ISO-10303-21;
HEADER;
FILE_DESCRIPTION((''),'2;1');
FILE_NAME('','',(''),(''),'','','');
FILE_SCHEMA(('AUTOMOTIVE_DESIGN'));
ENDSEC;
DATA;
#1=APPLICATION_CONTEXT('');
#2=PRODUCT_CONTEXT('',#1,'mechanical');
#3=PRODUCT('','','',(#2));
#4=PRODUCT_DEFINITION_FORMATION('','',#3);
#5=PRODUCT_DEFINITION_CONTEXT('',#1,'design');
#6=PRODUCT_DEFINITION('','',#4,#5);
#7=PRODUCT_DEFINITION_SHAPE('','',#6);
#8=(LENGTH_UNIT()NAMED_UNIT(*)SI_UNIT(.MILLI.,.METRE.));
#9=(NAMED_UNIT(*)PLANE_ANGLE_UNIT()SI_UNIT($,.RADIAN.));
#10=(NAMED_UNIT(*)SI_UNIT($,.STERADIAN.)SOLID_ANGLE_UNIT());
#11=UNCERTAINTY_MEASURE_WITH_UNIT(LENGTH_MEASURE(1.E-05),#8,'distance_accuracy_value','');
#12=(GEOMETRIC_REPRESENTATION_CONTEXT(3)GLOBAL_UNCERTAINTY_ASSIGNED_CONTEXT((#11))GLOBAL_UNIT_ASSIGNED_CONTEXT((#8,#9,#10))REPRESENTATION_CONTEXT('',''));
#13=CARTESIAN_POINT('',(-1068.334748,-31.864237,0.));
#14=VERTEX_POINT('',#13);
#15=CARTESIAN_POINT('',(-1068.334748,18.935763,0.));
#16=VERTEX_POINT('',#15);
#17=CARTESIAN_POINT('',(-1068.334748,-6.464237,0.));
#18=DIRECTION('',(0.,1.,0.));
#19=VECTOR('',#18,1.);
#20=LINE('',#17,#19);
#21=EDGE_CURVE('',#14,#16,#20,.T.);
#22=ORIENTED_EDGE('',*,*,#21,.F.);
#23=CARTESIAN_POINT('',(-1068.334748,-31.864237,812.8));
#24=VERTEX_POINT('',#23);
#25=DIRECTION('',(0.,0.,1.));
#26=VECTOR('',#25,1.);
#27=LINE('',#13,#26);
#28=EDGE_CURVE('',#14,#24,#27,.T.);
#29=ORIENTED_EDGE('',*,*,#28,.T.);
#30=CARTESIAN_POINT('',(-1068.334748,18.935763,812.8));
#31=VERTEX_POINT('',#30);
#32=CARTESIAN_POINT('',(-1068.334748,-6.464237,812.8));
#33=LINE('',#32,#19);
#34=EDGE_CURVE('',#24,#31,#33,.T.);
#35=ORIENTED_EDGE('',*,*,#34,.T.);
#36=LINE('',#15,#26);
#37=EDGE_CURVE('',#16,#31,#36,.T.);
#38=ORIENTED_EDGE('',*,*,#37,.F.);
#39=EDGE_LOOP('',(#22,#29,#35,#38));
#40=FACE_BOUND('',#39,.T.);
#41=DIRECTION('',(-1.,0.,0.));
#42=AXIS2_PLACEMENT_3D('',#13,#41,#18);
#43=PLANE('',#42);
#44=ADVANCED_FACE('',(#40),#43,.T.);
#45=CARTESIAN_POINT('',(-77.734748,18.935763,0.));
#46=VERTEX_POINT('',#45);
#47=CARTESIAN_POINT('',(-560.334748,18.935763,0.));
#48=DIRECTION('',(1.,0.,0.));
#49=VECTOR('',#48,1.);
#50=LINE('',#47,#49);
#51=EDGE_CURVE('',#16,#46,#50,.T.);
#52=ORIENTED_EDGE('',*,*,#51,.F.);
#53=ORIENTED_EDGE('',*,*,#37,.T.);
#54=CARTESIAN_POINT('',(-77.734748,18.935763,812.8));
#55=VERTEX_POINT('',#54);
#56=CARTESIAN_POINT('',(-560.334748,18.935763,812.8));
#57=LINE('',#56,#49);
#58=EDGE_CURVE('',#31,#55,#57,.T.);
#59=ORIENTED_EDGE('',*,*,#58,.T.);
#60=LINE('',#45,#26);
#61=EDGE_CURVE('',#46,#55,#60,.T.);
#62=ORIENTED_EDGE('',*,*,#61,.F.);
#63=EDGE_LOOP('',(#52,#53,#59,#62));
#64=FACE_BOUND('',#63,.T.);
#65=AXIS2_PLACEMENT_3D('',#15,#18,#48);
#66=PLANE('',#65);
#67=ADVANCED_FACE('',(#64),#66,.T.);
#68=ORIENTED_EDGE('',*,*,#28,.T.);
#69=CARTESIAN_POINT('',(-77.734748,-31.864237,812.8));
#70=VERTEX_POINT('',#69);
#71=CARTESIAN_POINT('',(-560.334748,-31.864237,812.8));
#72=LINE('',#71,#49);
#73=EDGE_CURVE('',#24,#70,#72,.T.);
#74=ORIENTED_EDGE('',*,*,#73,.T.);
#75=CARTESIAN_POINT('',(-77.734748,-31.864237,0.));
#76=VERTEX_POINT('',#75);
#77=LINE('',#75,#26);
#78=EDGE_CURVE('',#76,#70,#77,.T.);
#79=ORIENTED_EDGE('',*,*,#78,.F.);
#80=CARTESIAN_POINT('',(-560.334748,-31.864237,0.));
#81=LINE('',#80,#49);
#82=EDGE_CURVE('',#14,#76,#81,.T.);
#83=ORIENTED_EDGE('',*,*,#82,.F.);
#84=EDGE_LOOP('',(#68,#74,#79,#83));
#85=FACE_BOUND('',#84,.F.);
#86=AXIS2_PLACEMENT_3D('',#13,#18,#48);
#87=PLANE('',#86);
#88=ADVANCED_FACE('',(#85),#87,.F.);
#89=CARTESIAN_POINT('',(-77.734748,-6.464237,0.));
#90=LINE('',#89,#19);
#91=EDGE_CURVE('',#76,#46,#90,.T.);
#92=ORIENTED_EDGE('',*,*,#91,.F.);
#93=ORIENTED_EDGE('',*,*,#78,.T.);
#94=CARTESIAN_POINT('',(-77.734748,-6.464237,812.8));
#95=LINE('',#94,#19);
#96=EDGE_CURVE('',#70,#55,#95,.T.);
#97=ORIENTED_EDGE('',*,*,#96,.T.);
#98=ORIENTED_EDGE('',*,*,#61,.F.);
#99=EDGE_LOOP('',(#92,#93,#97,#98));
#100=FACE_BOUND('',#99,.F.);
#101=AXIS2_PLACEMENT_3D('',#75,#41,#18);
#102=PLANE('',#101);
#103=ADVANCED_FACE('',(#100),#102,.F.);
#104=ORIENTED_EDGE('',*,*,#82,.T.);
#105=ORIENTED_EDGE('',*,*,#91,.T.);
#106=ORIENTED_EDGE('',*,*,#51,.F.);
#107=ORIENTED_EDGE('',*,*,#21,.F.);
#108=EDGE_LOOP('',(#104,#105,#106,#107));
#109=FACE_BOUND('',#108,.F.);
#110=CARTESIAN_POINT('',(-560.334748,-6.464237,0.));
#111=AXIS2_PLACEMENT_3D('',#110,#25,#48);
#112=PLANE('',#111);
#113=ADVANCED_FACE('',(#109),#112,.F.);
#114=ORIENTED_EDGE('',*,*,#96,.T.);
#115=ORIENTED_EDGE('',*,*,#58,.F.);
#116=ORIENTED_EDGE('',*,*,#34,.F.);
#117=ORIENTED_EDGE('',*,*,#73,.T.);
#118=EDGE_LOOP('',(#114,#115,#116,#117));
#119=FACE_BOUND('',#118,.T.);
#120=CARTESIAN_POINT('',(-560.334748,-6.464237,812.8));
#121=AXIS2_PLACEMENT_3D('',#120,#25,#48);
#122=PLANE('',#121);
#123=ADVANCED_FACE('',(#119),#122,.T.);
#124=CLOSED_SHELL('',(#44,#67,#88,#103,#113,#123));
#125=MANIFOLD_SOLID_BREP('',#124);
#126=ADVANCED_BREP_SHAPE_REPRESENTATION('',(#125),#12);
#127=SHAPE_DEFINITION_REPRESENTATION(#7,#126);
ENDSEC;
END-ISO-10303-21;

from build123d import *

# Parameters (mm, degrees)
F0_W     = 1016
F0_H     = 50.8
F1_DEPTH = 812.8
F2_DEPTH = 12.7
F3_DEPTH = 12.7


with BuildPart() as f1:
    # F0 (on Top) → F1 (new body)
    with BuildSketch(Plane.XY):
        with Locations((-560.3347482085, -6.4642370403)):
            Rectangle(F0_W, F0_H)
    extrude(amount=F1_DEPTH)

    # F2 (cut): a face of the model
    f2_faces = [f1.faces().sort_by_distance(p)[0] for p in [
        (-52.3347482085, -6.4642370403, 406.4),
    ]]
    extrude(f2_faces, amount=-F2_DEPTH, mode=Mode.SUBTRACT)

    # F3 (cut): a face of the model
    f3_faces = [f1.faces().sort_by_distance(p)[0] for p in [
        (-65.0347482085, -6.4642370403, 406.4),
    ]]
    extrude(f3_faces, amount=-F3_DEPTH, mode=Mode.SUBTRACT)


solid = f1.part
